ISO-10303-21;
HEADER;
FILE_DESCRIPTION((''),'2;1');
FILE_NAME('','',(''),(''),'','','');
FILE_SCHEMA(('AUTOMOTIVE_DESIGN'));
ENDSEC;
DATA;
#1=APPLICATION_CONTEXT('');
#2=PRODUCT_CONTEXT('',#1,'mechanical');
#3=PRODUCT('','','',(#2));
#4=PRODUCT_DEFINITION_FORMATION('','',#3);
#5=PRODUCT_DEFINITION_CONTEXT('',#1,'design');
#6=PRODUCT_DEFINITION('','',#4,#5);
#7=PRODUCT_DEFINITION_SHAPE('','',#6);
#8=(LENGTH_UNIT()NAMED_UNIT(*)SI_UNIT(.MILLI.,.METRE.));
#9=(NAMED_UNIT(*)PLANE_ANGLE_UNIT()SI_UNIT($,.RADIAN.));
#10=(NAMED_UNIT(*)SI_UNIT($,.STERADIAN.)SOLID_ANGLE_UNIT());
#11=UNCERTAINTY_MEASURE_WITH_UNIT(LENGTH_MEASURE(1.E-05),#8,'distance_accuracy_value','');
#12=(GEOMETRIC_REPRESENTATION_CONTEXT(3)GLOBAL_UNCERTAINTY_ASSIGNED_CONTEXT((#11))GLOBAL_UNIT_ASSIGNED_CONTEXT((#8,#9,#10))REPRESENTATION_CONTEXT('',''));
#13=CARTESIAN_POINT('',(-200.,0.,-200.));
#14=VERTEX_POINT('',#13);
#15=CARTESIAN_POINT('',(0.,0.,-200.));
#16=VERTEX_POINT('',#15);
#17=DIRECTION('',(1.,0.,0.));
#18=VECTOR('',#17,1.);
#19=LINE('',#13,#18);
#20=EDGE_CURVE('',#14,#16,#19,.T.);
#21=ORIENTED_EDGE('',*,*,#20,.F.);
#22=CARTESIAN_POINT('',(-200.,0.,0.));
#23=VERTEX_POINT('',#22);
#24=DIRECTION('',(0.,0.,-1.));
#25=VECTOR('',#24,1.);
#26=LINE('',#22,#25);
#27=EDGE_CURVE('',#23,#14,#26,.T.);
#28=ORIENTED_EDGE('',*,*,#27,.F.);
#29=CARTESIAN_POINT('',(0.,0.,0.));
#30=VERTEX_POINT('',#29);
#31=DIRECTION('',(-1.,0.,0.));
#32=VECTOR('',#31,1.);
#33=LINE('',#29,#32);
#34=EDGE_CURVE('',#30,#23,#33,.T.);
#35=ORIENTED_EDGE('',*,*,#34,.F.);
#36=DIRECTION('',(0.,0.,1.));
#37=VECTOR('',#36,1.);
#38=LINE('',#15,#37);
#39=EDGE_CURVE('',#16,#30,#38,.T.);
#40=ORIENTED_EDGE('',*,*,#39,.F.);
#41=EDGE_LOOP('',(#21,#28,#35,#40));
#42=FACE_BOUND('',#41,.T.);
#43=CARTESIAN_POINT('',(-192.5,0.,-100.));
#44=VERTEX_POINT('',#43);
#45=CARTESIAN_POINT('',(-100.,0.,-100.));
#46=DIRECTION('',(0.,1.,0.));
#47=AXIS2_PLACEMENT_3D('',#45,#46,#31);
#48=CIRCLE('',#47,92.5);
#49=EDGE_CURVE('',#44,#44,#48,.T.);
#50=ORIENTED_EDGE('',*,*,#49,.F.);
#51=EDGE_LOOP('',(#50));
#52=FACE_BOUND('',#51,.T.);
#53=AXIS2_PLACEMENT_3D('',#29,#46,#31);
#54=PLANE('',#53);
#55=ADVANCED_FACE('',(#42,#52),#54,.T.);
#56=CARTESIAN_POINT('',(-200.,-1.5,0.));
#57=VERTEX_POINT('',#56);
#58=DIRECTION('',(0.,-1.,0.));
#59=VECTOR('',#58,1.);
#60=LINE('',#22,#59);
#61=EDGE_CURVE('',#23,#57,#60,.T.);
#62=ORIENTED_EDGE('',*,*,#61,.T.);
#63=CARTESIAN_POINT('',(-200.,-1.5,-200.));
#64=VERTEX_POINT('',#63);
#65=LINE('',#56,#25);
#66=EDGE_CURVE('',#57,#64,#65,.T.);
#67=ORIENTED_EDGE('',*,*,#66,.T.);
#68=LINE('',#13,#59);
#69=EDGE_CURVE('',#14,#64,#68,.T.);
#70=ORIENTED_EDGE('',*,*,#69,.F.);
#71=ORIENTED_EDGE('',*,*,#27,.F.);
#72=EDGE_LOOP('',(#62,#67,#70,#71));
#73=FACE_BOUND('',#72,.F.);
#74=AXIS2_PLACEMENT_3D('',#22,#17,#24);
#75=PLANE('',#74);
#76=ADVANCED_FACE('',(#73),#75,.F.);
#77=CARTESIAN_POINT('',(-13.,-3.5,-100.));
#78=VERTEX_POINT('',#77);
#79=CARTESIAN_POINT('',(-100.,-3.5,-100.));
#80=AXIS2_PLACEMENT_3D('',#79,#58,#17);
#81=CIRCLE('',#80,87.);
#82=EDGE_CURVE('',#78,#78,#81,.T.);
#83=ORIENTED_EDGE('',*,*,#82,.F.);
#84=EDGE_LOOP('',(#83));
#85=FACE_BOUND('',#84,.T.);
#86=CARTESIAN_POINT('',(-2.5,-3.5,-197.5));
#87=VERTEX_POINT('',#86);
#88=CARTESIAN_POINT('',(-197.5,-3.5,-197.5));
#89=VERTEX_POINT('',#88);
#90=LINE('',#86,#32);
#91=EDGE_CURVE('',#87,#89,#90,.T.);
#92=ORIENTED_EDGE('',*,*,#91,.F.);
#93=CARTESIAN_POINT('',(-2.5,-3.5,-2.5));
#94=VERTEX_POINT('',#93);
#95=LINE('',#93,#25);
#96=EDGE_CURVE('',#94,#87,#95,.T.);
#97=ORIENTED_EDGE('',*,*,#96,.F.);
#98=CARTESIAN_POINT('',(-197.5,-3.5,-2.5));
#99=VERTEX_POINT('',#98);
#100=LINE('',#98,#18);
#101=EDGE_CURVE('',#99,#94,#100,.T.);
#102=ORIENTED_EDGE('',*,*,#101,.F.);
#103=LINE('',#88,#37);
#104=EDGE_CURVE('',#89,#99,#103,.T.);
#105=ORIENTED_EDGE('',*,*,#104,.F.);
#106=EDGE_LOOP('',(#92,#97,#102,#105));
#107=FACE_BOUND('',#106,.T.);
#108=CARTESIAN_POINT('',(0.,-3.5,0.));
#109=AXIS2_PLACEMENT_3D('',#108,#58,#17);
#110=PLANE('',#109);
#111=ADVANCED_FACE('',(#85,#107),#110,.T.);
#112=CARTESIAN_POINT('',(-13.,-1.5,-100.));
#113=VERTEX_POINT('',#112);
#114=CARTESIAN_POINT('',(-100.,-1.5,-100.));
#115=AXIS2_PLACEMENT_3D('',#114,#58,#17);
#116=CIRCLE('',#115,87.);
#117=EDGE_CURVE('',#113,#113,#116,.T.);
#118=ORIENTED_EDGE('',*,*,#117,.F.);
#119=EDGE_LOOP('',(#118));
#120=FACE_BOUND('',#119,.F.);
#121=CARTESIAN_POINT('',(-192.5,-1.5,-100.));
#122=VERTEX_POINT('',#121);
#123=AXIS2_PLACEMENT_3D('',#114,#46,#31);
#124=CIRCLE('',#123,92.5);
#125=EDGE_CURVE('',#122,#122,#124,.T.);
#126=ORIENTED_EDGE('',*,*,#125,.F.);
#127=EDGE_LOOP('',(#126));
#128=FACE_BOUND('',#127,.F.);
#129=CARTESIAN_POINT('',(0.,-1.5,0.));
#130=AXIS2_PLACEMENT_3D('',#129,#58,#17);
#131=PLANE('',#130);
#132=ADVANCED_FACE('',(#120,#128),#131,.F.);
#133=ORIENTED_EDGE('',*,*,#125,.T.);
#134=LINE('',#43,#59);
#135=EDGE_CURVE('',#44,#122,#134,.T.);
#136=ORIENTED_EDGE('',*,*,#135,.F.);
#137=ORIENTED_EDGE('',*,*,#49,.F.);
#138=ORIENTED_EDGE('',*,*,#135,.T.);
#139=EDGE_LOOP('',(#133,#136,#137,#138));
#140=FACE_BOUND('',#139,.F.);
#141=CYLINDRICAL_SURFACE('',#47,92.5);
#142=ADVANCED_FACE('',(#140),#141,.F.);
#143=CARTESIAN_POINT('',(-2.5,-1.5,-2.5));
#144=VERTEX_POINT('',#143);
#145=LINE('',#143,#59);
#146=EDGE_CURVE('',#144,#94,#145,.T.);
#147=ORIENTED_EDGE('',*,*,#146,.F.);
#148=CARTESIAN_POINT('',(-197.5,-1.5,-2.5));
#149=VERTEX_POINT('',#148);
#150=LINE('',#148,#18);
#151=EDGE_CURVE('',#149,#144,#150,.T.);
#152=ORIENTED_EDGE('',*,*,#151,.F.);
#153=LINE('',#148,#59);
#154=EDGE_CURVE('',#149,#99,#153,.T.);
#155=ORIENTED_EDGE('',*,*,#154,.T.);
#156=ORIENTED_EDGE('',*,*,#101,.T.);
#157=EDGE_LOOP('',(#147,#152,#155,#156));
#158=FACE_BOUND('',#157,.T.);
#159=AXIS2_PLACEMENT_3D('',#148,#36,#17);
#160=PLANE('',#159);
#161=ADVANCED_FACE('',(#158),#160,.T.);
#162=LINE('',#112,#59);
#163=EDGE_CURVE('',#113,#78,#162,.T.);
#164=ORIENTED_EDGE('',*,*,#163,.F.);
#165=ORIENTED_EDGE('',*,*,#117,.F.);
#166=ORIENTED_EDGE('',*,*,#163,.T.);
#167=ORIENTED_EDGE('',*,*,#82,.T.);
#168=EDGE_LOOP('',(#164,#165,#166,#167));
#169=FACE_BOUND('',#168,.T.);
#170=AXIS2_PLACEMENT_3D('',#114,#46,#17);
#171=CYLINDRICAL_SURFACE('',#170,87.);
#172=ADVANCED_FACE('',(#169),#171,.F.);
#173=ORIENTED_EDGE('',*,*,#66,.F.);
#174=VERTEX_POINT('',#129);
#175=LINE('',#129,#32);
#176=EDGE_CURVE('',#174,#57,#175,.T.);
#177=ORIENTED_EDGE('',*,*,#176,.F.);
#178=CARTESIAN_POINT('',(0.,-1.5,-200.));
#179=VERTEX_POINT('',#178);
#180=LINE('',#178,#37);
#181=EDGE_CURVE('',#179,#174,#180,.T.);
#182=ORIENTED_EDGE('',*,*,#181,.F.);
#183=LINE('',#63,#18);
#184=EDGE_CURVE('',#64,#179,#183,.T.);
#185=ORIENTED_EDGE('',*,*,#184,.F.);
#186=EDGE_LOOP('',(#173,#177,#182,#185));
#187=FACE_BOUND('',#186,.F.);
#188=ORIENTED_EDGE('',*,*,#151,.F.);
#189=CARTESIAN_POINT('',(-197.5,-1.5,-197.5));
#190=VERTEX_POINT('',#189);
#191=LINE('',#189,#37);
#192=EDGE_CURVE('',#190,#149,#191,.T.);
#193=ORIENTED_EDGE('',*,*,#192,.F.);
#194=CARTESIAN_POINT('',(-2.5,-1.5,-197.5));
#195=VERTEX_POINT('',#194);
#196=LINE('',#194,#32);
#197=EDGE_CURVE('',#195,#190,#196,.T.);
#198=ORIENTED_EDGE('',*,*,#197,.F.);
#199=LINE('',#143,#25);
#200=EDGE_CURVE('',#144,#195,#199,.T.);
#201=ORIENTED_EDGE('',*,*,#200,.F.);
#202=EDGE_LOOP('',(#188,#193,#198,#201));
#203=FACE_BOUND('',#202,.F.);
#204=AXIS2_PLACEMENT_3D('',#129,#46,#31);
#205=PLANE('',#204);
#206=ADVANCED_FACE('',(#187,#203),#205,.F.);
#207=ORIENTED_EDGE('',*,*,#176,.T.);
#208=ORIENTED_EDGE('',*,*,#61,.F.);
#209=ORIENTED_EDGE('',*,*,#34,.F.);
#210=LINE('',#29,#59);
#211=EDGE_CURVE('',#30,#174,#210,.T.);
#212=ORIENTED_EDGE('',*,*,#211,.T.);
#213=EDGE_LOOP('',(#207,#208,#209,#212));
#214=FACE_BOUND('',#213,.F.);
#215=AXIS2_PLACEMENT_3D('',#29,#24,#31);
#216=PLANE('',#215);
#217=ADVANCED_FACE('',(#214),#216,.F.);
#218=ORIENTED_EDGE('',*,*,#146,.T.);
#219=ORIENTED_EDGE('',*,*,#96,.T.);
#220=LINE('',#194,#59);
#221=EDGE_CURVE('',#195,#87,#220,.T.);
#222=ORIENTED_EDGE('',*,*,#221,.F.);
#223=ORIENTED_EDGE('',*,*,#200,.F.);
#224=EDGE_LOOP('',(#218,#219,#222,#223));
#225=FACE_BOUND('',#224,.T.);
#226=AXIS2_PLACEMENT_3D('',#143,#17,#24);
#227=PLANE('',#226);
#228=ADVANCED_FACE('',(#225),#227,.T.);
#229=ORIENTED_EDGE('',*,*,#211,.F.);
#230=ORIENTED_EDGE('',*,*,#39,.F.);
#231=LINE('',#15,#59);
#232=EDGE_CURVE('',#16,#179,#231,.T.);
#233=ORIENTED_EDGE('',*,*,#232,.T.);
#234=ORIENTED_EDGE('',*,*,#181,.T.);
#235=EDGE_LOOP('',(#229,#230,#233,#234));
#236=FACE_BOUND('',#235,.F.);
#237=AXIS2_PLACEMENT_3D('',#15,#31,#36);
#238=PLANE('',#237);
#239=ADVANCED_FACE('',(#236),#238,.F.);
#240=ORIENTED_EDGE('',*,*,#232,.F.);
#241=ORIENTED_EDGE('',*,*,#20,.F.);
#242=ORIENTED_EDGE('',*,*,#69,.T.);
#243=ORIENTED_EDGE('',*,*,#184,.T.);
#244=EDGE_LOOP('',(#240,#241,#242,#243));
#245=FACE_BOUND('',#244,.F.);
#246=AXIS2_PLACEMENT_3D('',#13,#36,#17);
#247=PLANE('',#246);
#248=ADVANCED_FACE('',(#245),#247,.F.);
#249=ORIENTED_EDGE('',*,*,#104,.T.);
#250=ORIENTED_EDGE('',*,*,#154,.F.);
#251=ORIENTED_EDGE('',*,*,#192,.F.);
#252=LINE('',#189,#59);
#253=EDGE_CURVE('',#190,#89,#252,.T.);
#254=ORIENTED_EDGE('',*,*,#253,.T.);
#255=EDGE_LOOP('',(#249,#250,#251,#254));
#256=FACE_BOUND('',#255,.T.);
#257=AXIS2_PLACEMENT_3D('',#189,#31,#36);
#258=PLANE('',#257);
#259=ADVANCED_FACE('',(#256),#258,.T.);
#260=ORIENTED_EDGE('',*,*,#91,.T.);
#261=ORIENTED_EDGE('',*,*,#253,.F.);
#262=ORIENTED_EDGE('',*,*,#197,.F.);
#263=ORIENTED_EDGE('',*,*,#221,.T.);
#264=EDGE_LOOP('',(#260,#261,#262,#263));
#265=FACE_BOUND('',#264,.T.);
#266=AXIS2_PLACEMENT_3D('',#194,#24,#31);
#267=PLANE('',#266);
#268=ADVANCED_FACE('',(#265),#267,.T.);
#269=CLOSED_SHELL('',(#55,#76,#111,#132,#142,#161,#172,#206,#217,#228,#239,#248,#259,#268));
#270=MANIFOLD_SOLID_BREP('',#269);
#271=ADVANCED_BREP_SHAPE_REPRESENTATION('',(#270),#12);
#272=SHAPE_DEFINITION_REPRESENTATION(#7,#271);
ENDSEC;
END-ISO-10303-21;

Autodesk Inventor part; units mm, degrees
ref_plane "YZ Plane" through (0, 0, 0) normal (1, 0, 0) x (0, 1, 0)
ref_plane "XZ Plane" through (0, 0, 0) normal (0, 1, 0) x (-1, 0, 0)
ref_plane "XY Plane" through (0, 0, 0) normal (0, 0, 1) x (1, 0, 0)
sketch "Sketch1" plane through (0, 0, 0) normal (0, 1, 0) x (-1, 0, 0)
  line L0 (0, 0) -> (200, 0)
  line L1 (200, 0) -> (200, -200)
  line L2 (200, -200) -> (0, -200)
  line L3 (0, -200) -> (0, 0)
  circle A0 centre (100, -100) radius 92.5
  dimension "d0" = 200
  dimension "d1" = 200
  dimension "d2" = 185
extrude "Extrusion1" add sketch "Sketch1" against normal blind 1.5
sketch "Sketch3" plane through (0, -1.5, 0) normal (0, -1, 0) x (1, 0, 0)
  line L0 (-197.5, -2.5) -> (-2.5, -2.5)
  line L1 (-2.5, -2.5) -> (-2.5, -197.5)
  line L2 (-2.5, -197.5) -> (-197.5, -197.5)
  line L3 (-197.5, -197.5) -> (-197.5, -2.5)
  circle A0 centre (-100, -100) radius 87
  dimension "d5" = 195
  dimension "d6" = 195
  dimension "d7" = 174
  dimension "d11" = 0
extrude "Extrusion2" add sketch "Sketch3" along normal blind 2
properties part number "box cover"
